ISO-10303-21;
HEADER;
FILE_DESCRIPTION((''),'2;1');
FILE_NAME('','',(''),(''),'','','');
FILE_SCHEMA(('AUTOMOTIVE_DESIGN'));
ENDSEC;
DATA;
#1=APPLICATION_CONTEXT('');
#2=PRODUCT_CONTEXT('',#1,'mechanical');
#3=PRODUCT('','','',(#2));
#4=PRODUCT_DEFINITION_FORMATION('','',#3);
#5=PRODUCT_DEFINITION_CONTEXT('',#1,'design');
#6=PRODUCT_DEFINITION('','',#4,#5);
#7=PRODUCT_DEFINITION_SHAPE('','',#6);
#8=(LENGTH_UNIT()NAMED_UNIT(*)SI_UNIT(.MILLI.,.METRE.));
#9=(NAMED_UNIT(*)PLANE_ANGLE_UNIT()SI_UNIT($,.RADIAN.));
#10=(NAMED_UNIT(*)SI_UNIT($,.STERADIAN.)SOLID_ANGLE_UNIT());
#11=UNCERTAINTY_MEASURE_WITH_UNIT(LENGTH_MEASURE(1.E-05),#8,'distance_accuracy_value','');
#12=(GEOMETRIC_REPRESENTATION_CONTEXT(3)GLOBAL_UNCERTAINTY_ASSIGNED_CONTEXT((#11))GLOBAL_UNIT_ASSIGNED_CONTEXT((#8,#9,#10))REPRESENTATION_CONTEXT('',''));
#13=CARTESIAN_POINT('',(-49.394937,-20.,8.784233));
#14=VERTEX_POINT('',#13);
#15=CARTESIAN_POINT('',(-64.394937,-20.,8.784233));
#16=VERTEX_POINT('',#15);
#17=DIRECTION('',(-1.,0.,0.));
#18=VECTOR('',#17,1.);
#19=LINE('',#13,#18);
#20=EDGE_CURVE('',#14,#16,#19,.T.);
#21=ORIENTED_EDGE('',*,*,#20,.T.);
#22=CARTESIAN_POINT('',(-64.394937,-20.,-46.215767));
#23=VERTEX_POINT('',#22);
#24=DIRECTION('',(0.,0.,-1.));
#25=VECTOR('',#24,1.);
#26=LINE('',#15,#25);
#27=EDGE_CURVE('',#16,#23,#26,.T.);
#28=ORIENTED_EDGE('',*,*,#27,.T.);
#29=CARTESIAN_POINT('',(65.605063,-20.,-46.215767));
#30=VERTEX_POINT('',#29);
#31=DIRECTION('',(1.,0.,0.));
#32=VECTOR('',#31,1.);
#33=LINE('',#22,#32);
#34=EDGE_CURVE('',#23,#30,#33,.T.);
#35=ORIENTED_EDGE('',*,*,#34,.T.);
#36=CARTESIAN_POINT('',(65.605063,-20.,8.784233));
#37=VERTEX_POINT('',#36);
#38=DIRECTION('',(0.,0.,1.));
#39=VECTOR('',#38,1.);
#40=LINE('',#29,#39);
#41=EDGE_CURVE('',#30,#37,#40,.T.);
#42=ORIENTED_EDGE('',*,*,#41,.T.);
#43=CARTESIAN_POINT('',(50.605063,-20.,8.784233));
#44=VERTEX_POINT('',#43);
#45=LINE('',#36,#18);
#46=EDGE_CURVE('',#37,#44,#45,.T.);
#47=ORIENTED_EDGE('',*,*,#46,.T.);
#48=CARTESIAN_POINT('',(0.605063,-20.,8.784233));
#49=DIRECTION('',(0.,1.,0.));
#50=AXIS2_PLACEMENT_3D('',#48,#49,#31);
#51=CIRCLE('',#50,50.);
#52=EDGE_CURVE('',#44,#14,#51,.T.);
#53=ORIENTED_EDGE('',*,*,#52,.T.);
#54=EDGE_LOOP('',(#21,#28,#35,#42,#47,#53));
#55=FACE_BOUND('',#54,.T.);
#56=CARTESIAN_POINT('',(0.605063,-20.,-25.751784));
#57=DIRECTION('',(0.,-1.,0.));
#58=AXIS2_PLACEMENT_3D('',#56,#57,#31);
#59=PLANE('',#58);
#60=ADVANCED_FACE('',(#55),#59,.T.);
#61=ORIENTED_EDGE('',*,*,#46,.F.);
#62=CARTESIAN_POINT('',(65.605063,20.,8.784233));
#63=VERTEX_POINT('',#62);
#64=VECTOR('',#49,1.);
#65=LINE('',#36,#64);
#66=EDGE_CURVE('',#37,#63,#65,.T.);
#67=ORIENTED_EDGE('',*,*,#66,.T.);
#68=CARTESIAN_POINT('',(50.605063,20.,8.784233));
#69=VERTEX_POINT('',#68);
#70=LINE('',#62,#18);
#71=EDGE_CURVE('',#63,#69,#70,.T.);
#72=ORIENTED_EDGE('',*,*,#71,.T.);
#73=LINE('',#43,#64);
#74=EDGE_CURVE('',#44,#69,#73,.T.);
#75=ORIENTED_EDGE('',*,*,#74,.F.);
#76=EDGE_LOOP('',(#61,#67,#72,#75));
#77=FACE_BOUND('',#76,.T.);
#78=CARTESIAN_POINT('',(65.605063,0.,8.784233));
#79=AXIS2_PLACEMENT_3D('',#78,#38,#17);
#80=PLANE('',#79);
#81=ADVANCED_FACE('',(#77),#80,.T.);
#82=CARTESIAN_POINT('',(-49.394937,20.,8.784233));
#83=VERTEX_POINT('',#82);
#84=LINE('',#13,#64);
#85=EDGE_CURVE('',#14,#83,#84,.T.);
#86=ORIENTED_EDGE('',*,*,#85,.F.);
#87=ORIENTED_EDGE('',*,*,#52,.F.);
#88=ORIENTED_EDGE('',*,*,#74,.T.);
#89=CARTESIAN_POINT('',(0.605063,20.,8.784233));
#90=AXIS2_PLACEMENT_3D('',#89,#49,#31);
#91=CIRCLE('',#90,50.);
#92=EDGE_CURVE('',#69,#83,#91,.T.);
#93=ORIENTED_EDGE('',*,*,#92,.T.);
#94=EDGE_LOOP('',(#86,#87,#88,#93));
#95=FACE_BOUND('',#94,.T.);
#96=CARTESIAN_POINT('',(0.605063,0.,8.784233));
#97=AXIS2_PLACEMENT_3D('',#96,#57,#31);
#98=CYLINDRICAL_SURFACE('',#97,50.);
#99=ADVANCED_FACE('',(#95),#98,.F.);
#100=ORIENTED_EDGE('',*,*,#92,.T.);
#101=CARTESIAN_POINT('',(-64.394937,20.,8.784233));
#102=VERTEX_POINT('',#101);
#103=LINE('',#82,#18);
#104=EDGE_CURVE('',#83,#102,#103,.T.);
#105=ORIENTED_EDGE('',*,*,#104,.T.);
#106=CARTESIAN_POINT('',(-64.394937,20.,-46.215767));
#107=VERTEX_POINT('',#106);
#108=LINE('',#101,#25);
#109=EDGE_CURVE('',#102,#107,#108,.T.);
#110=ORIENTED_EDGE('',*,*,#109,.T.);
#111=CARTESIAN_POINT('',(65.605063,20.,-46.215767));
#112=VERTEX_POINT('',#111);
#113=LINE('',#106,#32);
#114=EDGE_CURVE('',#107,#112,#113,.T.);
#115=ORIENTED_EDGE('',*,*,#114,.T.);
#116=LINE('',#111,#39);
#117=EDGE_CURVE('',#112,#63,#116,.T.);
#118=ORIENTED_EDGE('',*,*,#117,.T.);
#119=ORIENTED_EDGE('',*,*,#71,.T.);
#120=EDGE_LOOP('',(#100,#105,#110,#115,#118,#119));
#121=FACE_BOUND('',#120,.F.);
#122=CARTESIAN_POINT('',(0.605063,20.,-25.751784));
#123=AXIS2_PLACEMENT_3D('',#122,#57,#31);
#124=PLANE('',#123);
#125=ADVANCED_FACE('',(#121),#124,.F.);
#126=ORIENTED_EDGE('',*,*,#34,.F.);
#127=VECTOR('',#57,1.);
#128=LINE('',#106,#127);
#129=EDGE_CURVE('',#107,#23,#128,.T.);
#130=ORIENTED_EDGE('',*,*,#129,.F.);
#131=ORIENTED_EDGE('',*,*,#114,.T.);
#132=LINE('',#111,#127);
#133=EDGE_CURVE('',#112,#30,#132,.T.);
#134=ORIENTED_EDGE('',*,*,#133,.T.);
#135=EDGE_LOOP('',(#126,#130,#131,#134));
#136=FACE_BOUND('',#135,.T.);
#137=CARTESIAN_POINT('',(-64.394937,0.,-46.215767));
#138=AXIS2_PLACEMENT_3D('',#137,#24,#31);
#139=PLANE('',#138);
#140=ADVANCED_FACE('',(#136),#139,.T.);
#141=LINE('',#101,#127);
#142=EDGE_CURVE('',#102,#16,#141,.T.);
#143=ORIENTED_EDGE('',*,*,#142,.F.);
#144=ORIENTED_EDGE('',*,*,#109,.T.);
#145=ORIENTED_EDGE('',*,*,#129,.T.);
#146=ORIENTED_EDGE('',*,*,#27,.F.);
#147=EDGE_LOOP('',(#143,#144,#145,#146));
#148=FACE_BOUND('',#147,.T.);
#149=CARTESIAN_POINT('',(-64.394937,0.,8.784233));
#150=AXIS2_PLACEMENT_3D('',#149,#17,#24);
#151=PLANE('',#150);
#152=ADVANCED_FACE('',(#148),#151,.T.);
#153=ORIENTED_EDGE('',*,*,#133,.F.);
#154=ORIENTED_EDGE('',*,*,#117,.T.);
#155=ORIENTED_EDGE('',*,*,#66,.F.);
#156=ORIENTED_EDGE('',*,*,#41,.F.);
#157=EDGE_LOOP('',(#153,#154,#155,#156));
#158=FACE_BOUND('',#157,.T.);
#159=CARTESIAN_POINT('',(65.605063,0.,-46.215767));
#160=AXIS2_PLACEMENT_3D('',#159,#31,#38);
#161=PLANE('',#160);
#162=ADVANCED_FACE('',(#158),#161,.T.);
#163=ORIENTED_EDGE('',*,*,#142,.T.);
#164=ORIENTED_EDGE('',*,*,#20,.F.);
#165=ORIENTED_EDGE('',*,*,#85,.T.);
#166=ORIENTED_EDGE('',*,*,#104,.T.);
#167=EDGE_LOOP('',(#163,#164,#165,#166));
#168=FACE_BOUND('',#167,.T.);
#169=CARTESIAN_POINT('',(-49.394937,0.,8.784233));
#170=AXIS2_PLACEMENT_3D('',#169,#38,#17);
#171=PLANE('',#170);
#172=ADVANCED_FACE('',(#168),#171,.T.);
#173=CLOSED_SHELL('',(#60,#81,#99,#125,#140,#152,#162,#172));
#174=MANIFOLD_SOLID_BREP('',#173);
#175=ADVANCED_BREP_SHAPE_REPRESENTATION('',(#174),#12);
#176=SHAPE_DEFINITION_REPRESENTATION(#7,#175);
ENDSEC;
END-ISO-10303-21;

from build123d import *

# Parameters (mm, degrees)
F1_DEPTH = 20


with BuildPart() as f1:
    # F0 (on Front) → F1 (new body, symmetric)
    with BuildSketch(Plane.XZ):
        with BuildLine():
            Line((-49.394937, 8.784233), (-64.394937, 8.784233))
            Line((-64.394937, 8.784233), (-64.394937, -46.215767))
            Line((-64.394937, -46.215767), (65.605063, -46.215767))
            Line((65.605063, -46.215767), (65.605063, 8.784233))
            Line((65.605063, 8.784233), (50.605063, 8.784233))
            ThreePointArc((50.605063, 8.784233), (0.605063, -41.215767), (-49.394937, 8.784233))
        make_face()
    extrude(amount=F1_DEPTH, both=True)


solid = f1.part
